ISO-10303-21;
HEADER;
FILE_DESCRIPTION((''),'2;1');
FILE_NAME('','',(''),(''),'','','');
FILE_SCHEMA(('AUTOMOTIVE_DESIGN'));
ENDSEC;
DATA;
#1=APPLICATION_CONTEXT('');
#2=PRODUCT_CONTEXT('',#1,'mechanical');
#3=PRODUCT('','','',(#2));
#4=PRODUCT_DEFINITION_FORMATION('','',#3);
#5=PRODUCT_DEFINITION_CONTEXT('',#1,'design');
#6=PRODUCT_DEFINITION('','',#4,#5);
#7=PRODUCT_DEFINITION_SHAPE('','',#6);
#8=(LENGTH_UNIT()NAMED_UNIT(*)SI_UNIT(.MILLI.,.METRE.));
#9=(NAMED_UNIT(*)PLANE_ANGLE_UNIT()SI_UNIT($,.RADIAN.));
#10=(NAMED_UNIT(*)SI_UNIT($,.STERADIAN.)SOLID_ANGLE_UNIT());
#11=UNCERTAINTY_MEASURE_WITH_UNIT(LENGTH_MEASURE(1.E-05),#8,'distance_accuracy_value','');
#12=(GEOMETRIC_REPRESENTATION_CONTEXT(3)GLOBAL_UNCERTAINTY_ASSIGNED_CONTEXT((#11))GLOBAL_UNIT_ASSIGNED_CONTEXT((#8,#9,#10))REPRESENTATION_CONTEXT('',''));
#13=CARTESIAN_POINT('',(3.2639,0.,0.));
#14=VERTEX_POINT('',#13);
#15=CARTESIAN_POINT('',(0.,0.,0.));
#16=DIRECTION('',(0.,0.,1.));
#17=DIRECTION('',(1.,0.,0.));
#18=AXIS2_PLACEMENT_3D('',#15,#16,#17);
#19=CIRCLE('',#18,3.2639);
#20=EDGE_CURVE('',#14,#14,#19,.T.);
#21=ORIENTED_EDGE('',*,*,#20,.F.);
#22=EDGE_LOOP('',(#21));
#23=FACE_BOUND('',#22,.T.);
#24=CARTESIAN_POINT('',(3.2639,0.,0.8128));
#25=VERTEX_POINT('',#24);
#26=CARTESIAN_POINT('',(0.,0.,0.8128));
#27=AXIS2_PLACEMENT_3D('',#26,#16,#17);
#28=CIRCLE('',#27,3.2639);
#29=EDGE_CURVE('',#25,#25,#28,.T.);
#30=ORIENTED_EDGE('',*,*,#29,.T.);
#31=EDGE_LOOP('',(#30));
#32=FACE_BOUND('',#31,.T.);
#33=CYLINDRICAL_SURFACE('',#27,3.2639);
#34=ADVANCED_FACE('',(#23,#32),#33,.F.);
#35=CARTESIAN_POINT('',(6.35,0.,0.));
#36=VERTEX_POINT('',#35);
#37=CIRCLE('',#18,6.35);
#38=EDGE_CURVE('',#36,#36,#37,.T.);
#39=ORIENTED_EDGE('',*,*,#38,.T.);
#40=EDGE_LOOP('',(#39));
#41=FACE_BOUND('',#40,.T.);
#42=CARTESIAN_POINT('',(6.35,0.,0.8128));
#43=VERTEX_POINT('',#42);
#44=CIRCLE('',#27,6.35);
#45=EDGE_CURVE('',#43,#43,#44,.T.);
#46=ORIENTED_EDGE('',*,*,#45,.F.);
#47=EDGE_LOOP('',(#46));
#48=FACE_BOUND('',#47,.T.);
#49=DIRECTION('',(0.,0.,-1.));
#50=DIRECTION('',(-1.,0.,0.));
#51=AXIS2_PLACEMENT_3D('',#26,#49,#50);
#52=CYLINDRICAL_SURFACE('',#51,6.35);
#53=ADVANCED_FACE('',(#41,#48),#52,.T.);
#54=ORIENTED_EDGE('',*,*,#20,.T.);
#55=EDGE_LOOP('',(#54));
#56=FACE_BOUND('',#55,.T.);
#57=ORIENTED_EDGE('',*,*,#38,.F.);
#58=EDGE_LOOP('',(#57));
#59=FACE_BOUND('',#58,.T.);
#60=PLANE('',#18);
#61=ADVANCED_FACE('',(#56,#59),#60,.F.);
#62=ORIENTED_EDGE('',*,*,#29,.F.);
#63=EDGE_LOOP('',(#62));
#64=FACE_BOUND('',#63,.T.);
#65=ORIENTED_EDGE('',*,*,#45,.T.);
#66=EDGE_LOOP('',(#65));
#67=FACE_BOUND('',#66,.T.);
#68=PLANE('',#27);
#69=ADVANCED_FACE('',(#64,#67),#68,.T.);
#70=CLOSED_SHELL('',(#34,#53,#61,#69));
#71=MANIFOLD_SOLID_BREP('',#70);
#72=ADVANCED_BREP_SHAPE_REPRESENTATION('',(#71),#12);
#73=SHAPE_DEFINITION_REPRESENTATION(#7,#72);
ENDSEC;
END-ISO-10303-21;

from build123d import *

# Parameters (mm, degrees)
SKETCH1_R               = 6.35
BOSS_EXTRUDE1_DEPTH     = 0.8128
F_1_4_CLEARANCE_HOLE1_D = 6.5278


with BuildPart() as part:
    # Sketch1 → Boss-Extrude1 (new body)
    with BuildSketch(Plane.XY):
        Circle(SKETCH1_R)
    extrude(amount=BOSS_EXTRUDE1_DEPTH)

    # 1/4 Clearance Hole1 (through all)
    with Locations(Plane.XY.offset(0.8128)):
        with Locations((0, 0)):
            Hole(F_1_4_CLEARANCE_HOLE1_D / 2)


solid = part.part
